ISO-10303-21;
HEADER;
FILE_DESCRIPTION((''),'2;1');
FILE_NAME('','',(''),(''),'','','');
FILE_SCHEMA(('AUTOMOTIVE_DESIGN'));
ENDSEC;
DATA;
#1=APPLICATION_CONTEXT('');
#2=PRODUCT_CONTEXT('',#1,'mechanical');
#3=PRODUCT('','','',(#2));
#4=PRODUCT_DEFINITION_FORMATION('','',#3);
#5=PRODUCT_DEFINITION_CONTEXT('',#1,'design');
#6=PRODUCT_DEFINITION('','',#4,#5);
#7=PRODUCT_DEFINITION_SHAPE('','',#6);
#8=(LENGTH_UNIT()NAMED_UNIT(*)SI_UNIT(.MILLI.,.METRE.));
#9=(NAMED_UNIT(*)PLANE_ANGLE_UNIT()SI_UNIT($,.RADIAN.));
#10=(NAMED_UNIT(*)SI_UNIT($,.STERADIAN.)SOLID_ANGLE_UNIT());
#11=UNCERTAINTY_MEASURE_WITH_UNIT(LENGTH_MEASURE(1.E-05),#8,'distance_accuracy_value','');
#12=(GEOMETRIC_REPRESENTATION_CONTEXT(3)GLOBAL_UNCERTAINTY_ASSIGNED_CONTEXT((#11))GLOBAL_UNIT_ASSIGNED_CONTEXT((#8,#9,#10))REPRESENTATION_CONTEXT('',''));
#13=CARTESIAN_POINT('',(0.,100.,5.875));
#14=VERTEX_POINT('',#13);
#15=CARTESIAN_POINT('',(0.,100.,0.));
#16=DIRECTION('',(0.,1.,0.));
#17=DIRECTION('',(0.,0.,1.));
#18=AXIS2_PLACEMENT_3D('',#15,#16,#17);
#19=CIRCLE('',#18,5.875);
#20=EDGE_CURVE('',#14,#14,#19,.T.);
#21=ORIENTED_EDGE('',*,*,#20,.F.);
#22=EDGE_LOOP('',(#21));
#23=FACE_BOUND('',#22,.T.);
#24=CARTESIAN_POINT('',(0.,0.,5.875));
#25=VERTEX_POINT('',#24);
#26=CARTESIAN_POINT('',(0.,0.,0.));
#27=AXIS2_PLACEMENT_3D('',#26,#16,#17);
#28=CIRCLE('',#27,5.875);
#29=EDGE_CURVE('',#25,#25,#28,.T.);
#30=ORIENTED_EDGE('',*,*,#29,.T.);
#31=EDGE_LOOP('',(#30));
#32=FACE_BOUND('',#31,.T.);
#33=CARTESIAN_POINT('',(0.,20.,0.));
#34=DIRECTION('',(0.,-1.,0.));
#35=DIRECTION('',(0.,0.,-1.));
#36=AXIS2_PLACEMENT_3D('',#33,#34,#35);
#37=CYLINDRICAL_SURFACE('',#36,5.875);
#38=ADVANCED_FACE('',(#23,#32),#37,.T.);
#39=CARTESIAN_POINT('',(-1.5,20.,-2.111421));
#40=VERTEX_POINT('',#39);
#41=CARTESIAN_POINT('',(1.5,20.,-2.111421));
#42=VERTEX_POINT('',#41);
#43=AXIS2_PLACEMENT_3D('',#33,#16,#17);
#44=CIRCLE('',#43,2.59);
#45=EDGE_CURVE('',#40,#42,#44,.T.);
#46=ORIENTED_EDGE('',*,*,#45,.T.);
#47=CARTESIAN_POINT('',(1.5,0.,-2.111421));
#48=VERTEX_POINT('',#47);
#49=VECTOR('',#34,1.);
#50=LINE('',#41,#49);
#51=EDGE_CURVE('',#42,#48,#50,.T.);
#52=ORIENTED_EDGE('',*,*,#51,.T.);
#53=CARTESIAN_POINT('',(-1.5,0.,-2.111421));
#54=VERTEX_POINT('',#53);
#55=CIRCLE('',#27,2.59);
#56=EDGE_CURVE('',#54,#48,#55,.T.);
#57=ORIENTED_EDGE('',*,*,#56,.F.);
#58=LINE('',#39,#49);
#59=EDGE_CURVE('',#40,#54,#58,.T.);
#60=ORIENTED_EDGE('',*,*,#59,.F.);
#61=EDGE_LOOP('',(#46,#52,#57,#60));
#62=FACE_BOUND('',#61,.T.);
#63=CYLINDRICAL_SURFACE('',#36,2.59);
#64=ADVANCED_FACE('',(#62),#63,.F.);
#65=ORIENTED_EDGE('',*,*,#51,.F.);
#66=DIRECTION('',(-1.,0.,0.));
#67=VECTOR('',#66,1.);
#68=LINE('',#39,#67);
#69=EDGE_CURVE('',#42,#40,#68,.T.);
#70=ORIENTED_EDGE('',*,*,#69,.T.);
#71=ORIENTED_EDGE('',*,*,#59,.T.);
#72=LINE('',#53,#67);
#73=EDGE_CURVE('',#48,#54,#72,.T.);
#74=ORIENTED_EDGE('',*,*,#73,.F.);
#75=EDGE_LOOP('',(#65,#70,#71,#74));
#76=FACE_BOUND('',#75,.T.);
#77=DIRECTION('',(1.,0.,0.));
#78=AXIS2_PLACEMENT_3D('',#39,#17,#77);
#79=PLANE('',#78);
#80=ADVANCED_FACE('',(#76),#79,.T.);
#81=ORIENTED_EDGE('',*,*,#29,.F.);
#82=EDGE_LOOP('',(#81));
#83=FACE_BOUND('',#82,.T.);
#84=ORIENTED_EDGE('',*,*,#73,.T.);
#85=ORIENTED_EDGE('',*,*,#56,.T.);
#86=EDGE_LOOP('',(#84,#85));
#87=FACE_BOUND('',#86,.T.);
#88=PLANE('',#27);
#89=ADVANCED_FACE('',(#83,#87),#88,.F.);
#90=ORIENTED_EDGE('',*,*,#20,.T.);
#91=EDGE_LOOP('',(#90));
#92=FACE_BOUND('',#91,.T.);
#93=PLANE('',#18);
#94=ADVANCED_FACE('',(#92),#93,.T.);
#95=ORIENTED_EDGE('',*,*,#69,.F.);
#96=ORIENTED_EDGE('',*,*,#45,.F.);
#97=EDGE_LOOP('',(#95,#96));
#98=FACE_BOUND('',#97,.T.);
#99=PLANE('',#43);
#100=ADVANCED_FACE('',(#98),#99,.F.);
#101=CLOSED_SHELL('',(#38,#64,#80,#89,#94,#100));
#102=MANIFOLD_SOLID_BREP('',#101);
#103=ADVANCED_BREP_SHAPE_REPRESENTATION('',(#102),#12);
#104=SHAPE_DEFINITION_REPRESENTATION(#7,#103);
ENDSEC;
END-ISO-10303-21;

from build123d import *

# Parameters (mm, degrees)
SKETCH1_R           = 5.875
BOSS_EXTRUDE2_DEPTH = 20
SKETCH2_R           = 5.875
BOSS_EXTRUDE3_DEPTH = 80


with BuildPart() as part:
    # Sketch1 → Boss-Extrude2 (new body)
    with BuildSketch(Plane(origin=(0, 0, 0), x_dir=(1, 0, 0), z_dir=(0, 1, 0))):
        Circle(SKETCH1_R)
        with BuildLine():
            Line((-1.5, 2.111421322), (1.5, 2.111421322))
            ThreePointArc((1.5, 2.111421322), (0, -2.59), (-1.5, 2.111421322))
        make_face(mode=Mode.SUBTRACT)
    extrude(amount=BOSS_EXTRUDE2_DEPTH)

    # Sketch2 → Boss-Extrude3 (add)
    with BuildSketch(Plane(origin=(0, 20, 0), x_dir=(1, 0, 0), z_dir=(0, 1, 0))):
        Circle(SKETCH2_R)
    extrude(amount=BOSS_EXTRUDE3_DEPTH)


solid = part.part
